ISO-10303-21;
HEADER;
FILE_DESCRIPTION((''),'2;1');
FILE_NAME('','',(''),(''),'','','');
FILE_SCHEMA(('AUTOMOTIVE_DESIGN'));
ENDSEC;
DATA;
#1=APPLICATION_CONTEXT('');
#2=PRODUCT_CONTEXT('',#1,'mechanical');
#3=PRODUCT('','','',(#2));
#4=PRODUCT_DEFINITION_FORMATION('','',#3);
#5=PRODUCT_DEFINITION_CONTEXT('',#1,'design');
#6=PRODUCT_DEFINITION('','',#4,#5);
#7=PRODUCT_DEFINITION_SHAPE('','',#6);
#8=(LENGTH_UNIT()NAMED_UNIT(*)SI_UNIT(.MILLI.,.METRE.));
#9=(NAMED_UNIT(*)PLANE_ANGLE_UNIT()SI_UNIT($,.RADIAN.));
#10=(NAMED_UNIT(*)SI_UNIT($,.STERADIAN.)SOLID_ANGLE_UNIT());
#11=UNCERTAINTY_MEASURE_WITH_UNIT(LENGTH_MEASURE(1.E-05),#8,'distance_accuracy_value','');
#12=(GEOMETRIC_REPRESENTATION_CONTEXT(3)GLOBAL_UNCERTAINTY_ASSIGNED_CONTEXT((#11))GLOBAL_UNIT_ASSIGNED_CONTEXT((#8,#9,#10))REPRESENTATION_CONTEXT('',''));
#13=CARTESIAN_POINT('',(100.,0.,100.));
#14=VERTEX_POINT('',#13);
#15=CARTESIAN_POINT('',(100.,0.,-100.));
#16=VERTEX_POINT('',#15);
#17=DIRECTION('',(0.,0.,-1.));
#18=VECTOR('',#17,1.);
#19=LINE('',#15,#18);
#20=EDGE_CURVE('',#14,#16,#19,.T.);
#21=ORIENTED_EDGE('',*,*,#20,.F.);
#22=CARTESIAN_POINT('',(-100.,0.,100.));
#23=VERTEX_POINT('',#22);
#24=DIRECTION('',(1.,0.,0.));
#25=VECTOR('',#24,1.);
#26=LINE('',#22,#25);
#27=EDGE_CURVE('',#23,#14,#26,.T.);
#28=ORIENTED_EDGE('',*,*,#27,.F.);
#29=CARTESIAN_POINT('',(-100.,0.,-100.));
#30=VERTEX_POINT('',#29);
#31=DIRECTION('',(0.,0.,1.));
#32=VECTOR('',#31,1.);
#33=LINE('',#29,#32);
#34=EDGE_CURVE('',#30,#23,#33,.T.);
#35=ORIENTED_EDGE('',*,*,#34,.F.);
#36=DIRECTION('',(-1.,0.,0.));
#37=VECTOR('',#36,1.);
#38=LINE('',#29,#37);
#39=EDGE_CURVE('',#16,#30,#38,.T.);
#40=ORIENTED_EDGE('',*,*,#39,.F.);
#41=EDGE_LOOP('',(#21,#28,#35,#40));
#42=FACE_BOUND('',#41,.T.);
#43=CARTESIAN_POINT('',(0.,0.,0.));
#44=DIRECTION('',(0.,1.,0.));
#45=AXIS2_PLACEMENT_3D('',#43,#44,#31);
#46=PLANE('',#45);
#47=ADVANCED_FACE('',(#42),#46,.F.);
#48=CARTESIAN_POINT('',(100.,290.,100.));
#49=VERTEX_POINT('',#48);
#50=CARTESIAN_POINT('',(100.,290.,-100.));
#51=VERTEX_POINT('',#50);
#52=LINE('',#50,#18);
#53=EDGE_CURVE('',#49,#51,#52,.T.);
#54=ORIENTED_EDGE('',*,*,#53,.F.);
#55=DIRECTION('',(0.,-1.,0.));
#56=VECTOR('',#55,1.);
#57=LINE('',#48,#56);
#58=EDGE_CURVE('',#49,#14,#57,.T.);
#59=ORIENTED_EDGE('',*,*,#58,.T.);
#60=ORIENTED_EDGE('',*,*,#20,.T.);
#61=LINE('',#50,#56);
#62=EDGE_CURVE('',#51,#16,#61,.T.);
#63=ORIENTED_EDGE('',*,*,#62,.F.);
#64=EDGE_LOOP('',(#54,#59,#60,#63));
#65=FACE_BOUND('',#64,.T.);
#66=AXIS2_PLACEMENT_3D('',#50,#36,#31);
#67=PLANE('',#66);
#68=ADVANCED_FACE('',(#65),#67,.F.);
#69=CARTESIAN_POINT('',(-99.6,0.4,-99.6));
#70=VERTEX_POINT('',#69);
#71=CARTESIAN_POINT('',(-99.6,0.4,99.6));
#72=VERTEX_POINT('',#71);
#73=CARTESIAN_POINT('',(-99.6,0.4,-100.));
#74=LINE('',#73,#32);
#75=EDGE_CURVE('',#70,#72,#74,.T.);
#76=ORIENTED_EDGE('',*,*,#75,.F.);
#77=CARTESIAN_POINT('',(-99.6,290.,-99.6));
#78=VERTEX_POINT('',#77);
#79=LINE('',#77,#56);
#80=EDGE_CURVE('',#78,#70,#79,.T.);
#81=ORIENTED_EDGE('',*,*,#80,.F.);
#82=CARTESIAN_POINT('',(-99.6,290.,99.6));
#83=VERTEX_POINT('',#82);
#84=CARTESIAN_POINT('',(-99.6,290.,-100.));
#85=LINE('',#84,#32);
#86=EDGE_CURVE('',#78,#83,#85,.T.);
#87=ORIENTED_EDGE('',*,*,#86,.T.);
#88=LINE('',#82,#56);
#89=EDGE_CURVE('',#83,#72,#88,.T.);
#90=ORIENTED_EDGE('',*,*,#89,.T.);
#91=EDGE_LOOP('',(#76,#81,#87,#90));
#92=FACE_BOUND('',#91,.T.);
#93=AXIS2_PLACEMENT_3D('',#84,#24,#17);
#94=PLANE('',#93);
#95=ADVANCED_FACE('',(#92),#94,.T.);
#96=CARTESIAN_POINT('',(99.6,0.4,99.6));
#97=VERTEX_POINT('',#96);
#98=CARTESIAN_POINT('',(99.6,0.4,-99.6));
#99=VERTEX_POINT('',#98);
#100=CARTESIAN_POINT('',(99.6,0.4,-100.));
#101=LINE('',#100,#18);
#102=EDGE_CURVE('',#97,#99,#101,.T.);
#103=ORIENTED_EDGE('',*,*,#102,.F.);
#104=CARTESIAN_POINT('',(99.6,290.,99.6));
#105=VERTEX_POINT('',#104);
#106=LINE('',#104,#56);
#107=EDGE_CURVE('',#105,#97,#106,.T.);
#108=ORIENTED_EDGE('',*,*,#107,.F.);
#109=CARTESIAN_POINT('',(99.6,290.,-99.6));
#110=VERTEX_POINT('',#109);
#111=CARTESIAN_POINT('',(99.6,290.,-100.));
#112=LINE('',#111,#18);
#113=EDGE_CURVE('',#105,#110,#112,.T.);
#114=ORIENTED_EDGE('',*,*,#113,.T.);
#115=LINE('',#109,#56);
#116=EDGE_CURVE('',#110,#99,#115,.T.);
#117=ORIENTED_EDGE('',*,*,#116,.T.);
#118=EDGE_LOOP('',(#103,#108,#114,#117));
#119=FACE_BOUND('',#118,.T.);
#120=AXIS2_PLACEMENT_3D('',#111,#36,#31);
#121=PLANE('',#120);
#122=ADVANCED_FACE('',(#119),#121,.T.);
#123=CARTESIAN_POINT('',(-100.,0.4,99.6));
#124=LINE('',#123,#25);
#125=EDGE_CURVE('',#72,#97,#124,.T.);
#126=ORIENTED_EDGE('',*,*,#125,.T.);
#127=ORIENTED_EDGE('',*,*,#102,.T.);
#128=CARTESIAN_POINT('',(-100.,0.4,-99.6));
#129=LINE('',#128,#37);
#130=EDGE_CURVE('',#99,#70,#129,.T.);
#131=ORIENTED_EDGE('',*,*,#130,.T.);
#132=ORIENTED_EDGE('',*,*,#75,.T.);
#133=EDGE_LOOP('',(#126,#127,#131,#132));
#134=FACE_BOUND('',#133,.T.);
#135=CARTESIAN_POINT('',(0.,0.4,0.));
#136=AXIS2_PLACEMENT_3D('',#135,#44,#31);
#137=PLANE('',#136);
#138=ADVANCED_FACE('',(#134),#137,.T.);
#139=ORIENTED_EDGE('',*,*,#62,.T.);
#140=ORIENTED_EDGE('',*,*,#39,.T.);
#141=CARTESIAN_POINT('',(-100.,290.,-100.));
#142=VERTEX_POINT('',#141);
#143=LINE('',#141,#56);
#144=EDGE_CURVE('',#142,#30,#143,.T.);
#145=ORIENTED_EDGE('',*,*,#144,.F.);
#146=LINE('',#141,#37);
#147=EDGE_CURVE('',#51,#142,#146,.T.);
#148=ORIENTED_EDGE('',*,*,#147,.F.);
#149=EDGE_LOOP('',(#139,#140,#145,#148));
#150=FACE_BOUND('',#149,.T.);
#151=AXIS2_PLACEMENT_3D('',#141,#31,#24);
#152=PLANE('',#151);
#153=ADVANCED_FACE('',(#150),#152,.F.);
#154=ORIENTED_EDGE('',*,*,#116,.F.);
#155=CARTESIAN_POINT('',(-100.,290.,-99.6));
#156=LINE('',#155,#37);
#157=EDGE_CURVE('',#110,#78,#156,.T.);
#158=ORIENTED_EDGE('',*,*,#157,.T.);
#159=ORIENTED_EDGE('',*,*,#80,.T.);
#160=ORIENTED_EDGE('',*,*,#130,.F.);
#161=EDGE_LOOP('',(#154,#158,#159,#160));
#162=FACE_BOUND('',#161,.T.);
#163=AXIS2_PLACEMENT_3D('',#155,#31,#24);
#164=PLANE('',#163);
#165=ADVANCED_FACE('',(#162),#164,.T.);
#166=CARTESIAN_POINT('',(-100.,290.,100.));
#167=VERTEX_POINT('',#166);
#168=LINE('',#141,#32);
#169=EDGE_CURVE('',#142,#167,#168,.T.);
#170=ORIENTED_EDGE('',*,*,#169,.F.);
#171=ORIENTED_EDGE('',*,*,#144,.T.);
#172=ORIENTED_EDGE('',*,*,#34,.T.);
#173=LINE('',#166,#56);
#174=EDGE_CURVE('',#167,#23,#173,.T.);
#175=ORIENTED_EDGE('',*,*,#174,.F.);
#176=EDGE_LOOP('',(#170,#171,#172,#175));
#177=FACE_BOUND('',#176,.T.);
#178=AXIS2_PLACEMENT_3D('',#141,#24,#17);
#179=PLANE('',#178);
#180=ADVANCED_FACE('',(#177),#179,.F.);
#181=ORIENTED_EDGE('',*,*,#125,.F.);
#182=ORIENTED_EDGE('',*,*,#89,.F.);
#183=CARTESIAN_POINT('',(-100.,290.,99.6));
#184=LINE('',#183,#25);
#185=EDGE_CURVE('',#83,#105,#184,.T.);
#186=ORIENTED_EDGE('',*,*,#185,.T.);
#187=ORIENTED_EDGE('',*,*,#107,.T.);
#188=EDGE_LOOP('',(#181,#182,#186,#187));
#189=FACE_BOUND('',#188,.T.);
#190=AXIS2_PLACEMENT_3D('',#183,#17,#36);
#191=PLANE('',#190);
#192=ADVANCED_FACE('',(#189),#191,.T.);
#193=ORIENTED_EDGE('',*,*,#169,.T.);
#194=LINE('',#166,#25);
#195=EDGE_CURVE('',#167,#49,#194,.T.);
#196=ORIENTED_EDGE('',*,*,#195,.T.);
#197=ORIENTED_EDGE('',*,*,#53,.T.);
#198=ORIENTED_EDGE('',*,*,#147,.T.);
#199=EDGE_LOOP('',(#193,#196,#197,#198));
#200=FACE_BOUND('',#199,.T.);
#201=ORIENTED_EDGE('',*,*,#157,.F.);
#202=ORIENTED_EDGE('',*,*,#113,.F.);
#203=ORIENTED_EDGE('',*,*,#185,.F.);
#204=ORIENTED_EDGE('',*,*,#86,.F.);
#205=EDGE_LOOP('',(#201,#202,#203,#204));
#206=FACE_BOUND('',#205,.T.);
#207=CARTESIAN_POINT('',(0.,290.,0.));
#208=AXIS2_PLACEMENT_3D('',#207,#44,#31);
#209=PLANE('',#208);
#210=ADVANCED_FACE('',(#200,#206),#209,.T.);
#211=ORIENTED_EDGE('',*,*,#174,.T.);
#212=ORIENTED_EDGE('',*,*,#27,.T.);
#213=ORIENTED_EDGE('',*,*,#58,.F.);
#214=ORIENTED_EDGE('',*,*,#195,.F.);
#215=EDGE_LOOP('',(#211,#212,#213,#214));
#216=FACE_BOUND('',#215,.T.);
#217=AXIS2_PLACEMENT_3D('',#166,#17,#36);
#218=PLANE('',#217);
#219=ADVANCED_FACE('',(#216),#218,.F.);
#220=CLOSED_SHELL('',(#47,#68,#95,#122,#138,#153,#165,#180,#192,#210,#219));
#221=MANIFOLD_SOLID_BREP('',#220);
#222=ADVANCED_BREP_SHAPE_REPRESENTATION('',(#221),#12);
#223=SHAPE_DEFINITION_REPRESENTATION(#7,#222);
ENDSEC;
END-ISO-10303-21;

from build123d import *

# Parameters (mm, degrees)
SKETCH1_W           = 200
SKETCH1_H           = 200
BOSS_EXTRUDE1_DEPTH = 290
SHELL1_T            = -0.4


with BuildPart() as part:
    # Sketch1 → Boss-Extrude1 (new body)
    with BuildSketch(Plane(origin=(0, 0, 0), x_dir=(1, 0, 0), z_dir=(0, 1, 0))):
        Rectangle(SKETCH1_W, SKETCH1_H)
    extrude(amount=BOSS_EXTRUDE1_DEPTH)

    # Shell1
    shell1_openings = [part.faces().sort_by_distance(p)[0] for p in [
        (0, 290, 0),
    ]]
    offset(amount=SHELL1_T, openings=shell1_openings, kind=Kind.INTERSECTION)


solid = part.part
